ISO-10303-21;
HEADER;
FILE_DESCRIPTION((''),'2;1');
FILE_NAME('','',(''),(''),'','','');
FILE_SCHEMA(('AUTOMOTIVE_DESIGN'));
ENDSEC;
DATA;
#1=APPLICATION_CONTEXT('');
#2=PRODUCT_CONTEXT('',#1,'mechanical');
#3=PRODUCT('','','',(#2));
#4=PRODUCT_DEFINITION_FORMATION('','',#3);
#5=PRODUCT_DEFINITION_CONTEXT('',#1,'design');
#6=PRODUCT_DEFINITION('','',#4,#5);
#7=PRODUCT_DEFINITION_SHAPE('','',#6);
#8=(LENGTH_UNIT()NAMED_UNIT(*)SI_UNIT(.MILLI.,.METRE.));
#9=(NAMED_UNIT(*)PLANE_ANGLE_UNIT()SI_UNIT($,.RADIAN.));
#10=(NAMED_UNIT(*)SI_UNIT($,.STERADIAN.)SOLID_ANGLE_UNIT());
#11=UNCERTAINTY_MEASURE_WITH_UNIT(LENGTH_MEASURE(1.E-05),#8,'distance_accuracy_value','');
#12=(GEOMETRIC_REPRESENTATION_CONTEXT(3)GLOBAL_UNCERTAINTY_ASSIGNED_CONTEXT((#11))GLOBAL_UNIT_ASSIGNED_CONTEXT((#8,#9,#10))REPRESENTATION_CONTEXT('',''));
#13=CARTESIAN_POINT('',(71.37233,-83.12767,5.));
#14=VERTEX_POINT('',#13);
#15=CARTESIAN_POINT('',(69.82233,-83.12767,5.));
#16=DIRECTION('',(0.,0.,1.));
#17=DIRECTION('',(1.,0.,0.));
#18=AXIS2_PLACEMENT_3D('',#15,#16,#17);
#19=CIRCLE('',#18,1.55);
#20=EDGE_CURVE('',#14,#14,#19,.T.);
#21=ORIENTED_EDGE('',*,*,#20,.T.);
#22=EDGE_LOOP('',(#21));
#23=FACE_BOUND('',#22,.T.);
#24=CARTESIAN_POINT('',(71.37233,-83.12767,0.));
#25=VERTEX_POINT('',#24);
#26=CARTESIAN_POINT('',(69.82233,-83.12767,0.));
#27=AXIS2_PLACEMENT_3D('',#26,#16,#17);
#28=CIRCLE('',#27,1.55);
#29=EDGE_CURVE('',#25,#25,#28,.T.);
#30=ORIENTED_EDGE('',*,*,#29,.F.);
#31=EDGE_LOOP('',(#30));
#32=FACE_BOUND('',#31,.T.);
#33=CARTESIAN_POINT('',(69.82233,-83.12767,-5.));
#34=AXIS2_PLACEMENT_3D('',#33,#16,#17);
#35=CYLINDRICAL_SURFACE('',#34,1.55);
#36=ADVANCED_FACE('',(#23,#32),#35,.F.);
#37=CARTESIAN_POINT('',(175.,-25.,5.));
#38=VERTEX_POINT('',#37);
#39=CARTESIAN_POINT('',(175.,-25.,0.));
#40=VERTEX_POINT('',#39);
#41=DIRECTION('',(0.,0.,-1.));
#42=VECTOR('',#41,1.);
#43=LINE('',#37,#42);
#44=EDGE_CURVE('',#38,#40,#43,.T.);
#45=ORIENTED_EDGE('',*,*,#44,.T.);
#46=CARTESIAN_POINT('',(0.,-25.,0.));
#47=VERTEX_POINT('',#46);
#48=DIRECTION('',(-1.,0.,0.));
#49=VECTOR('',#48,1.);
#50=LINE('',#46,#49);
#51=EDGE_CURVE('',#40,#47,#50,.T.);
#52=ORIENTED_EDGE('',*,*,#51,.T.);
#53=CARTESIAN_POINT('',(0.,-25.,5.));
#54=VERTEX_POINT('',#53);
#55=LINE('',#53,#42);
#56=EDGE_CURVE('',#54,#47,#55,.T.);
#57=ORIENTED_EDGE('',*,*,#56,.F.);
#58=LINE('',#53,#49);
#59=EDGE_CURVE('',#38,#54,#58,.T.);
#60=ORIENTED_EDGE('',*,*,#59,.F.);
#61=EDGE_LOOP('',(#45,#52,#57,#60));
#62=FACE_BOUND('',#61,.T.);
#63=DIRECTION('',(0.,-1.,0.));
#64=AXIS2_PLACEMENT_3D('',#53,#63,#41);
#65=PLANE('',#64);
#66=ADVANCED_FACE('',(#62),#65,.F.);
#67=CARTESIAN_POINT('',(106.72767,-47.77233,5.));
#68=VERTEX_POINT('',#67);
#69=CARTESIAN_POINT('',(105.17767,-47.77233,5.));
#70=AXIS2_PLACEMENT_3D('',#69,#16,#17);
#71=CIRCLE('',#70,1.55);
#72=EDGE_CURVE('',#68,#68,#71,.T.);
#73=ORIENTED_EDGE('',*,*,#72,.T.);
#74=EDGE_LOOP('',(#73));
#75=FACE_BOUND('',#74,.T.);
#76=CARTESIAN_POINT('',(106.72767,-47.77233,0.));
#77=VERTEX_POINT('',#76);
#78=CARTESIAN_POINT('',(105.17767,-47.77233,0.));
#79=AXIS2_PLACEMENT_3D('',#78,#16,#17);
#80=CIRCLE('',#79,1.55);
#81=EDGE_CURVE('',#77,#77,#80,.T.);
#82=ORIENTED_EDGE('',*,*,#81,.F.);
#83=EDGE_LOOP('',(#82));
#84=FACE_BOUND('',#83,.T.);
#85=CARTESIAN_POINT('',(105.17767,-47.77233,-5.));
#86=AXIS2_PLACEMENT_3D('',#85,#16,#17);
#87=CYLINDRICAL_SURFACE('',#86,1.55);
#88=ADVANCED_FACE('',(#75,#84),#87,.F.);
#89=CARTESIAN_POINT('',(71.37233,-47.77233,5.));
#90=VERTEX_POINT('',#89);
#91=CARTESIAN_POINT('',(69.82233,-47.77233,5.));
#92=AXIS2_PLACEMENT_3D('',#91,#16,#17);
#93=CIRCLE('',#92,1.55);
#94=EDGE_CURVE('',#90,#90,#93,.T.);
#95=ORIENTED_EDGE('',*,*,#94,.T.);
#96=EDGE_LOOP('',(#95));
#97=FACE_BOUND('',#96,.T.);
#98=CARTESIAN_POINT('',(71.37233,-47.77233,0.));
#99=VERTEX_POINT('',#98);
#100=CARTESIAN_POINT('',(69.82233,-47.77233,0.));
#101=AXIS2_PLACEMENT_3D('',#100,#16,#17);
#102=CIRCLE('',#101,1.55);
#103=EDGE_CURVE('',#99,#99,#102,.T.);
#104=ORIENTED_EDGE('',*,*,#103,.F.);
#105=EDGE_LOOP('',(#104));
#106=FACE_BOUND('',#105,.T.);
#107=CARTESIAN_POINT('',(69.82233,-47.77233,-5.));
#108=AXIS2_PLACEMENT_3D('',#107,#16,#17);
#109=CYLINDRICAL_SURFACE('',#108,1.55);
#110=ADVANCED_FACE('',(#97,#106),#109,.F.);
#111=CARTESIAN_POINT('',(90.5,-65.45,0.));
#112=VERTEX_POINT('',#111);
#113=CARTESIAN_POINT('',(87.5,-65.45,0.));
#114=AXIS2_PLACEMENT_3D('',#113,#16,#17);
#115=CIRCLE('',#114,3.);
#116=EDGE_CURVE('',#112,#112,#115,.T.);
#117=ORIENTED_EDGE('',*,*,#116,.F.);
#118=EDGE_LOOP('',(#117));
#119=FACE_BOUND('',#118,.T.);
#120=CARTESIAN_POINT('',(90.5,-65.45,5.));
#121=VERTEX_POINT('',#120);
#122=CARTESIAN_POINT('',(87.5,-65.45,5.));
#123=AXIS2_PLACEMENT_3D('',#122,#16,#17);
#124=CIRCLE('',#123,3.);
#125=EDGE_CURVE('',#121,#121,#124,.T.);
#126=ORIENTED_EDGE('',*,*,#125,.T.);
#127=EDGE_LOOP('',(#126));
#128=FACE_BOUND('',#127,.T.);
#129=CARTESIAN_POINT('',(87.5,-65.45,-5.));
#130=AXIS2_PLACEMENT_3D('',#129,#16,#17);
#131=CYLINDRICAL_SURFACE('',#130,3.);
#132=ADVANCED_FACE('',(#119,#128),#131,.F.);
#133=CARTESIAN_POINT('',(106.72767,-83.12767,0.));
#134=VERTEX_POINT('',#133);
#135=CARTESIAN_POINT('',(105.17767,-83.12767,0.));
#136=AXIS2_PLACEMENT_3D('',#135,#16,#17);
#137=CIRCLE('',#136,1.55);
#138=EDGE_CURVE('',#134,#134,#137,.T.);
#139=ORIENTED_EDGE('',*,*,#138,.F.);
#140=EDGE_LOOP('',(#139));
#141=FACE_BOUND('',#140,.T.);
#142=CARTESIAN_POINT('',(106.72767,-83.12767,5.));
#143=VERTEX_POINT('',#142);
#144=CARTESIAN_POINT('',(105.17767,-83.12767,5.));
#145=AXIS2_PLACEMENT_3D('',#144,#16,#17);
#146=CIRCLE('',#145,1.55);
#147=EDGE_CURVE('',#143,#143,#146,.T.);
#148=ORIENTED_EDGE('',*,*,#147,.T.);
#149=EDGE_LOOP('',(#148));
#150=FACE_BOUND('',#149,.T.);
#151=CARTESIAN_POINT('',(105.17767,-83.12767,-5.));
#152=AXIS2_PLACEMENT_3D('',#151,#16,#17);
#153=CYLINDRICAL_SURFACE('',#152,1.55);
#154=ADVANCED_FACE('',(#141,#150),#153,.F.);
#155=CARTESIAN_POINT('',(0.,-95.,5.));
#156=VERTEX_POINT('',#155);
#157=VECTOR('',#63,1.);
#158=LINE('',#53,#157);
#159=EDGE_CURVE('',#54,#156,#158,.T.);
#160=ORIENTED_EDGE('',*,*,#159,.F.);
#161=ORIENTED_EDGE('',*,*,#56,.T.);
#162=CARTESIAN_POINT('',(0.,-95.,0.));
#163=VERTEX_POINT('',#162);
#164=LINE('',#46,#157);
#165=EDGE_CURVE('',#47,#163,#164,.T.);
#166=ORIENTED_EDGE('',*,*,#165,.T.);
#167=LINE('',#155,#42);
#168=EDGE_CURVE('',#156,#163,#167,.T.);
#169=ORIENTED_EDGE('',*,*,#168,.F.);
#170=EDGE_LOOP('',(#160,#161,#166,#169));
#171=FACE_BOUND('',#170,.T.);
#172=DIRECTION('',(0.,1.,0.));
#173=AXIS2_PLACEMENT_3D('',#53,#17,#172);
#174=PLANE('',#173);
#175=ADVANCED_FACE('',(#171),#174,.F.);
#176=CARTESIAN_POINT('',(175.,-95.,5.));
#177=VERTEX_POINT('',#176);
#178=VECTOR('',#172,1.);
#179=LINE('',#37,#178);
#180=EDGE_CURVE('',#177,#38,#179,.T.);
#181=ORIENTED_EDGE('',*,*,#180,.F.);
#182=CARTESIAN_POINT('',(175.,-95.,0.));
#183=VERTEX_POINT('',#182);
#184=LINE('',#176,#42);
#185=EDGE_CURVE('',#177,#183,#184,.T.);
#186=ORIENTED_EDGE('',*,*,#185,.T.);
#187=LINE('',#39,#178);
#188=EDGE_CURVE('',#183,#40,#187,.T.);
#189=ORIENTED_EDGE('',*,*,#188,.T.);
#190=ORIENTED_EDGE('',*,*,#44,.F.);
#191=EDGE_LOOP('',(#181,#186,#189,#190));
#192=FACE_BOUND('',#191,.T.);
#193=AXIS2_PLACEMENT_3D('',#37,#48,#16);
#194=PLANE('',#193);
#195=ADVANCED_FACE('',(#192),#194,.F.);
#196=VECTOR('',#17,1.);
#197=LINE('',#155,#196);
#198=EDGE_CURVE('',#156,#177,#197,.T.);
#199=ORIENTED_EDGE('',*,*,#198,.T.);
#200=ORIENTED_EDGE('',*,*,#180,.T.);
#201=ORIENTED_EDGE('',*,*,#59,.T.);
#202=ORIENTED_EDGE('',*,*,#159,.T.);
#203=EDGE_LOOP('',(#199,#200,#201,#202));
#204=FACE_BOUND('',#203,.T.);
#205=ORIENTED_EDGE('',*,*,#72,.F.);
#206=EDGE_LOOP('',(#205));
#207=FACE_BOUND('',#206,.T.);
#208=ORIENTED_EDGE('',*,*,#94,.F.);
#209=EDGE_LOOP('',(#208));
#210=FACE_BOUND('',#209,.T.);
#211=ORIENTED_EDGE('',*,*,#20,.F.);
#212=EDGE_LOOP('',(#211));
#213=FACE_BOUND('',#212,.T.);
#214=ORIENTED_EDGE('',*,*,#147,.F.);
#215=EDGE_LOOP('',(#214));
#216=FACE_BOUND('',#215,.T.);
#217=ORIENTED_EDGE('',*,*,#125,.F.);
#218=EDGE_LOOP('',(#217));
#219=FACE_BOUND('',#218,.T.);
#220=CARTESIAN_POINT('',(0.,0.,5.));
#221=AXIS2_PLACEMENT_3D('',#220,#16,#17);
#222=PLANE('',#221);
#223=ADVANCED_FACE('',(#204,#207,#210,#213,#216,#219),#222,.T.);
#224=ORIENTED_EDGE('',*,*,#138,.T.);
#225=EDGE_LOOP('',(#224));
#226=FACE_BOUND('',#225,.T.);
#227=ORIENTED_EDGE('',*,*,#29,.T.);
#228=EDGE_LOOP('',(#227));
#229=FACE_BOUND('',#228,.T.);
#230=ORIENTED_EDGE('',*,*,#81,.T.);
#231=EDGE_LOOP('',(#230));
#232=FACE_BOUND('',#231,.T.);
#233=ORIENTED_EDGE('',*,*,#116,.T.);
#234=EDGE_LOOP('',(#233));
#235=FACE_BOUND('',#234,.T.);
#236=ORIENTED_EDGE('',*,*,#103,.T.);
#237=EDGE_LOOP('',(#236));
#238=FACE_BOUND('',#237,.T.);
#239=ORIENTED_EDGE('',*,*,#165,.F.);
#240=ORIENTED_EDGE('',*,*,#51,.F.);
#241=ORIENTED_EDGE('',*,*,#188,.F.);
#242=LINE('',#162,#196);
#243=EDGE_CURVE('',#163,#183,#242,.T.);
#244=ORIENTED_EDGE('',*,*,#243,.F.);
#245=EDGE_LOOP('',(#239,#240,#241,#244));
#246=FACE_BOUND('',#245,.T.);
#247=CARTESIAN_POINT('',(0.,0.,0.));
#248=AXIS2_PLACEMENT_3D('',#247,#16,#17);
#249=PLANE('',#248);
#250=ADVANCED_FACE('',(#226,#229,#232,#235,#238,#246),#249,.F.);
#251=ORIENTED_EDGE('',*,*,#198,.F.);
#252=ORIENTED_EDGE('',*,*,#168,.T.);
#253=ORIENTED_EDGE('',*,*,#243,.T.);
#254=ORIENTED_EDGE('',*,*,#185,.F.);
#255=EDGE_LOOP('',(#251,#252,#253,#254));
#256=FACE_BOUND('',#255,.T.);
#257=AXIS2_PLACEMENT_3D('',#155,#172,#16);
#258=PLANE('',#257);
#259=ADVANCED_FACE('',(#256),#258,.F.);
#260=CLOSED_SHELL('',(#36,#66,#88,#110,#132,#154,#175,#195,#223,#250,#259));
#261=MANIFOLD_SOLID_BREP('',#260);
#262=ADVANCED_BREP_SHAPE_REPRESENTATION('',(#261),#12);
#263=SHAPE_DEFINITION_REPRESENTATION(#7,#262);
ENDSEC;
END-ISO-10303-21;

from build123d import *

# Parameters (mm, degrees)
SKETCH_1_W          = 175
SKETCH_1_H          = 70
EXTRUDE_1_DEPTH     = 5
SKETCH_2_R          = 3
SKETCH_2_R_2        = 1.55
CUT_EXTRUDE_1_DEPTH = 10


with BuildPart() as part:
    # 草图1 → 凸台-拉伸1 (new body)
    with BuildSketch(Plane.XY):
        with Locations((87.5, -60)):
            Rectangle(SKETCH_1_W, SKETCH_1_H)
    extrude(amount=EXTRUDE_1_DEPTH)

    # 草图2 → 切除-拉伸1 (cut)
    with BuildSketch(Plane.XY.offset(5)):
        with Locations((87.5, -65.45)):
            Circle(SKETCH_2_R)
        with Locations((69.82233047, -47.77233047)):
            Circle(SKETCH_2_R_2)
        with Locations((105.17766953, -47.77233047)):
            Circle(SKETCH_2_R_2)
        with Locations((105.17766953, -83.12766953)):
            Circle(SKETCH_2_R_2)
        with Locations((69.82233047, -83.12766953)):
            Circle(SKETCH_2_R_2)
    extrude(amount=-CUT_EXTRUDE_1_DEPTH, mode=Mode.SUBTRACT)


solid = part.part
